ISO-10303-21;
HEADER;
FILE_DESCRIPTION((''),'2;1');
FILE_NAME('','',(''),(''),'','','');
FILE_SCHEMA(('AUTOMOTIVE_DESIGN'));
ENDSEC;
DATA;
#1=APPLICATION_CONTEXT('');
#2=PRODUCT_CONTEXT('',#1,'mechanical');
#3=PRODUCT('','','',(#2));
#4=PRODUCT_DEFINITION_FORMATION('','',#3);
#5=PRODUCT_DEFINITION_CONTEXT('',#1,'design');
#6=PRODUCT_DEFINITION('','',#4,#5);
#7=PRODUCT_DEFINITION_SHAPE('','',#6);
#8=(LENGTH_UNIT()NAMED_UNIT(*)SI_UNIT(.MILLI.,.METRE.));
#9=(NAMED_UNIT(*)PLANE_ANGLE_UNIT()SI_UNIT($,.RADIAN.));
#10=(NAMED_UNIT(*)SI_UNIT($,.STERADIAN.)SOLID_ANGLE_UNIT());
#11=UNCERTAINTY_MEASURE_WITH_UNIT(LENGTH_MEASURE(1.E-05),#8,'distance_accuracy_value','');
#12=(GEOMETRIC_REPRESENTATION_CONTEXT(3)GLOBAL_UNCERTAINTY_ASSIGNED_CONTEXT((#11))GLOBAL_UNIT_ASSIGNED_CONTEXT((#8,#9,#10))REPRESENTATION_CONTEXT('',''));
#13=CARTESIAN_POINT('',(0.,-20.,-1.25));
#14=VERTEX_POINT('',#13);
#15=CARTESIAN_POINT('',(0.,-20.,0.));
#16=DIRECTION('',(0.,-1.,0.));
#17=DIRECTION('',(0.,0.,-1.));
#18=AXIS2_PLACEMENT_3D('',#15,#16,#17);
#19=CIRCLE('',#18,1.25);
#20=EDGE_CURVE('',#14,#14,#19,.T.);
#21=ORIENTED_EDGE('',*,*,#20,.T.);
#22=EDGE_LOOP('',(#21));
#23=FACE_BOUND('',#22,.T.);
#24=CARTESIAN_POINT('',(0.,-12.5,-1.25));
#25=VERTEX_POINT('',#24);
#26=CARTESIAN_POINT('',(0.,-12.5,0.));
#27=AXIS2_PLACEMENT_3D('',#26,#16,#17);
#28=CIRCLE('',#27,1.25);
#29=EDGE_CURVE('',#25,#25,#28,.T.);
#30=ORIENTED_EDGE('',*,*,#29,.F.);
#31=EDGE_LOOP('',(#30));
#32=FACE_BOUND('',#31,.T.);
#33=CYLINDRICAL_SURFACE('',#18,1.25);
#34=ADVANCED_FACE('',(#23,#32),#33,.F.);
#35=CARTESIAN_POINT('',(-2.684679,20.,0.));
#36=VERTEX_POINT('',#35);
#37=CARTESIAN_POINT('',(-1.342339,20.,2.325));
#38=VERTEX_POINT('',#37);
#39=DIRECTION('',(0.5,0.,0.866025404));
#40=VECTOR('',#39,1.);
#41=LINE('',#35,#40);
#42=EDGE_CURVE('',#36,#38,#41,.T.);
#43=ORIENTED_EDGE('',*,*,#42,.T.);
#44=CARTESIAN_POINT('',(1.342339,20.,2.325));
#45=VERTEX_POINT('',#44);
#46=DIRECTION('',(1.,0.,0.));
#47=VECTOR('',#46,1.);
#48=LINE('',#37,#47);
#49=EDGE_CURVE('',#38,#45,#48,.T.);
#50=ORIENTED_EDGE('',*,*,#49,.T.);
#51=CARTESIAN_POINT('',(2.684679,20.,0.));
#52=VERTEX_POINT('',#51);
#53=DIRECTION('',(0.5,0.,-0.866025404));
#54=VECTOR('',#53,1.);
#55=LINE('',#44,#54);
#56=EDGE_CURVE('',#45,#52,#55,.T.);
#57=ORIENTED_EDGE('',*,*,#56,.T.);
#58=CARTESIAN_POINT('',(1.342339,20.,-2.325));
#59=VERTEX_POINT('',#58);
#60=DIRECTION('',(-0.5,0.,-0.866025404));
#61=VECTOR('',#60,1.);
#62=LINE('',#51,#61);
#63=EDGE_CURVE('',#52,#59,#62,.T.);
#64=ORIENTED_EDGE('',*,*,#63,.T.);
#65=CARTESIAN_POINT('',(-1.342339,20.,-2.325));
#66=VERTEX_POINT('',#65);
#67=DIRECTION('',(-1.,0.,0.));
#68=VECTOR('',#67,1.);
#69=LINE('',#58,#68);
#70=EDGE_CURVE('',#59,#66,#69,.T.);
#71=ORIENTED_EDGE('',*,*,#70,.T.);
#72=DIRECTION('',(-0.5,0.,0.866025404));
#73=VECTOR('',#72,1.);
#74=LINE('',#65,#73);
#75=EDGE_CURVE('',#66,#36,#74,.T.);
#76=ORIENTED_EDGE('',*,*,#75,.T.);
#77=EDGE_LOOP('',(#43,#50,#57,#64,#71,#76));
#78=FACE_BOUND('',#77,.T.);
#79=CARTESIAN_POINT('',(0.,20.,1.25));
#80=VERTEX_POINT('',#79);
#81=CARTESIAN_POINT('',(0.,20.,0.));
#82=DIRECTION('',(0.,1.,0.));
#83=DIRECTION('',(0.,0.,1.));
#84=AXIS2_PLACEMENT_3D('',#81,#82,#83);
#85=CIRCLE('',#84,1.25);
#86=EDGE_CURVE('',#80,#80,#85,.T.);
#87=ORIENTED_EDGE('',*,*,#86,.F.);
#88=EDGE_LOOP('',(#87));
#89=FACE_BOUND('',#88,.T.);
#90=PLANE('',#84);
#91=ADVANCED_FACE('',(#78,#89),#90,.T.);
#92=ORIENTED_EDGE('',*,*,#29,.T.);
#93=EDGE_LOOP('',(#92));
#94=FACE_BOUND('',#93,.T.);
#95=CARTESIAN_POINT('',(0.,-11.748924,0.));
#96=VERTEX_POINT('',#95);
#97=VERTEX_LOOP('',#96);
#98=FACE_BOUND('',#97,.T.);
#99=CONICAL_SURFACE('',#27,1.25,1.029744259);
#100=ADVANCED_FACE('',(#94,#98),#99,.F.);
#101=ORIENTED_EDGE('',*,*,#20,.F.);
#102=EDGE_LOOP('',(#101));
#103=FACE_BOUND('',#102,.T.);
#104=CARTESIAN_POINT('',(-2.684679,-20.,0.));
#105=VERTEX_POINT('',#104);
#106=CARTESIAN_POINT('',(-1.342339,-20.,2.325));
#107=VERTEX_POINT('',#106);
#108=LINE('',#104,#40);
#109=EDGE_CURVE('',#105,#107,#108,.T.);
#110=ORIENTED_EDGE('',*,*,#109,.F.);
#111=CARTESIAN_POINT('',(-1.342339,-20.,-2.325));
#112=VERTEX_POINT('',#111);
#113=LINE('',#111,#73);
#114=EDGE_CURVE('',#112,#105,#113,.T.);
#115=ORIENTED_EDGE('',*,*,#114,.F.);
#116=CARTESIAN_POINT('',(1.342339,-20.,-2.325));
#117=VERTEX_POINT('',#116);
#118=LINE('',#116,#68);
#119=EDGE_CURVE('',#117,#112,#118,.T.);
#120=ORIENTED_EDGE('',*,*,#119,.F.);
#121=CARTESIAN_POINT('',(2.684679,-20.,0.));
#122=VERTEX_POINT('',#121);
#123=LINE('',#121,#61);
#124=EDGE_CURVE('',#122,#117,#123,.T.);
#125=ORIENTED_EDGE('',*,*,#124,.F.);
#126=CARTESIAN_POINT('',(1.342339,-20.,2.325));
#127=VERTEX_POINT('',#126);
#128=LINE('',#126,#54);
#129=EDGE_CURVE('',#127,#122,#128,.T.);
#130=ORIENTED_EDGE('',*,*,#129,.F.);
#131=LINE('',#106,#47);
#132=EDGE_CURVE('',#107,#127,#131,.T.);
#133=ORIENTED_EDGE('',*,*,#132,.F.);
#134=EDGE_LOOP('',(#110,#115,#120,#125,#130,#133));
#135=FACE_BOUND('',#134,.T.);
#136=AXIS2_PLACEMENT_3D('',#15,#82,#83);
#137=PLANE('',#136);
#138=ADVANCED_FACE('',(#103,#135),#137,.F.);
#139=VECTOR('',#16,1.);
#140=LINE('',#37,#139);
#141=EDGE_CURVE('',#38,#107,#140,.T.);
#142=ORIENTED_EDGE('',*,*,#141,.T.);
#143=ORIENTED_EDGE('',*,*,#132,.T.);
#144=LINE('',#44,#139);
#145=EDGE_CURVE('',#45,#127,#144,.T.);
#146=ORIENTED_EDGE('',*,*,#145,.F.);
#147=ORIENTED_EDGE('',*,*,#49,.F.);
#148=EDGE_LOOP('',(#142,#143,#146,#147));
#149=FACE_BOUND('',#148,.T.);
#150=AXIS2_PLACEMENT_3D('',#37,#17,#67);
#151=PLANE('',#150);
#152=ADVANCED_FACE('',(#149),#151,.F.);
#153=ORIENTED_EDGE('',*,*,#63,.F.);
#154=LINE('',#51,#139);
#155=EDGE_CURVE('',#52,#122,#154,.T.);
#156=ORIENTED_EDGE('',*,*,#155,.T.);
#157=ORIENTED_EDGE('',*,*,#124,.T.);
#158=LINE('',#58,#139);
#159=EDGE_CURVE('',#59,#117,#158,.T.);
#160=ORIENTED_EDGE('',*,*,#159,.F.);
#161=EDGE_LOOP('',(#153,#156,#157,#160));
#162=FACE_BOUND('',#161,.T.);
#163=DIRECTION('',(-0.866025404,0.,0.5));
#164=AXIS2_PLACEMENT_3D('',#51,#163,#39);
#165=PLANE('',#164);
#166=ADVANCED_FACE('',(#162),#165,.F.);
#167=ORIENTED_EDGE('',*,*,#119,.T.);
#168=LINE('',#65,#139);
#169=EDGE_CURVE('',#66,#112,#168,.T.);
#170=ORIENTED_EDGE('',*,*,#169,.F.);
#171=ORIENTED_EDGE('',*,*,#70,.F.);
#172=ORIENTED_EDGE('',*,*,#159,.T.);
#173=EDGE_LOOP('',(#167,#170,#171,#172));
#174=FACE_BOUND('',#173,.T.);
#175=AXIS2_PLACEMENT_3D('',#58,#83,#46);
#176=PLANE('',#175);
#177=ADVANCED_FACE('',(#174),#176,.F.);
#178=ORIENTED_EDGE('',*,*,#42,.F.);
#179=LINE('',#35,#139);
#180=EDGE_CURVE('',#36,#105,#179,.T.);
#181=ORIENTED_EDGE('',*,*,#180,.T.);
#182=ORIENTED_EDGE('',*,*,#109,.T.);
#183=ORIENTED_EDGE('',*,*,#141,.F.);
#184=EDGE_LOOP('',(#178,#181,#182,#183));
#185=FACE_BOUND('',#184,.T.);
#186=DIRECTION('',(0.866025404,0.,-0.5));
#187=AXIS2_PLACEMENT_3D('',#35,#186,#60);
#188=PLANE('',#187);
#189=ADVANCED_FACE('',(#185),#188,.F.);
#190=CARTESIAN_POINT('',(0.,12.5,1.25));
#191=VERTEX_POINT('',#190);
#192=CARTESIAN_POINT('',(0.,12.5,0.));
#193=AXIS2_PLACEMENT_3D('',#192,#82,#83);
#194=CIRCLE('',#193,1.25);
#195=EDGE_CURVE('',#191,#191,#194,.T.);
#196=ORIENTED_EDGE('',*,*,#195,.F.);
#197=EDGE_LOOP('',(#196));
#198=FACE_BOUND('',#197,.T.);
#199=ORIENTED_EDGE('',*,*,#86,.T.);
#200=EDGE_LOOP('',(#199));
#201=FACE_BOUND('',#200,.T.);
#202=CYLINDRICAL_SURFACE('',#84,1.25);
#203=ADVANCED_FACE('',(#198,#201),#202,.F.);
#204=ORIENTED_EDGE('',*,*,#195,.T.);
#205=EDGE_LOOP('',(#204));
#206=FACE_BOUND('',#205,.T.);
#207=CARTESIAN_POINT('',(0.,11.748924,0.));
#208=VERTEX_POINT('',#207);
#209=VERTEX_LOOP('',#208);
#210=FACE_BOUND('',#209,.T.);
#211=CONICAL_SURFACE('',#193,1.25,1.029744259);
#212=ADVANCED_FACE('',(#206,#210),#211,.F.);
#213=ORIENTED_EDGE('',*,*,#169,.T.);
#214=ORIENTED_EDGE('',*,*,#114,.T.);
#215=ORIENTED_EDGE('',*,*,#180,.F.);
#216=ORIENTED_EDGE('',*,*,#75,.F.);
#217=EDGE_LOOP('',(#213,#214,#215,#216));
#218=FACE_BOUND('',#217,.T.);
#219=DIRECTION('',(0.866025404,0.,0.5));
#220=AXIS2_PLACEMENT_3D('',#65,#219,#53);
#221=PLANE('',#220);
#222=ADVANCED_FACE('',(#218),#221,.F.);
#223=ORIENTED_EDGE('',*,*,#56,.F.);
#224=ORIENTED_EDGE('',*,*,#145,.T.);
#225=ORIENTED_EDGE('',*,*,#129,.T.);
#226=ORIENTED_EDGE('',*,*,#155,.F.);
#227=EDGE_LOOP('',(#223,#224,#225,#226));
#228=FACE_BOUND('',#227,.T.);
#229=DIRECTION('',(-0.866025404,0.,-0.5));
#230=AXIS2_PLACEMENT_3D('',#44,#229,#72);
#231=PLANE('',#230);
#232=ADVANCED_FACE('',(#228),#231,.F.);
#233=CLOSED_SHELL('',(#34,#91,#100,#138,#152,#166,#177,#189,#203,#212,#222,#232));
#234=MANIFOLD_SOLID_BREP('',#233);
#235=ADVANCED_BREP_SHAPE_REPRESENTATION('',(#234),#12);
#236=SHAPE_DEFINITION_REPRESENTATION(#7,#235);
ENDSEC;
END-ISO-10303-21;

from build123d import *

# Parameters (mm, degrees)
EXTRUDE_1_DEPTH = 20


with BuildPart() as part:
    # 草图1 → 凸台-拉伸1 (new, symmetric)
    with BuildSketch(Plane(origin=(0, 0, 0), x_dir=(1, 0, 0), z_dir=(0, 1, 0))):
        Polygon((2.684678752, 0), (1.342339376, 2.325), (-1.342339376, 2.325), (-2.684678752, 0), (-1.342339376, -2.325), (1.342339376, -2.325), align=None)
    extrude(amount=EXTRUDE_1_DEPTH, both=True)

    # 草图2 → M3 螺纹孔1 (revolve, cut)
    with BuildSketch(Plane(origin=(0, -20, 0), x_dir=(0, 0, -1), z_dir=(1, 0, 0))):
        Polygon((0, 0), (0, 8.251075774), (1.25, 7.5), (1.25, 0), align=None)
    hole_wizard_m3_1 = revolve(axis=Axis((0, -26.35, 0), (0, 1, 0)), mode=Mode.SUBTRACT)

    # 镜向1: M3 螺纹孔1 across plane
    add(hole_wizard_m3_1.mirror(Plane.ZX), mode=Mode.SUBTRACT)


solid = part.part
